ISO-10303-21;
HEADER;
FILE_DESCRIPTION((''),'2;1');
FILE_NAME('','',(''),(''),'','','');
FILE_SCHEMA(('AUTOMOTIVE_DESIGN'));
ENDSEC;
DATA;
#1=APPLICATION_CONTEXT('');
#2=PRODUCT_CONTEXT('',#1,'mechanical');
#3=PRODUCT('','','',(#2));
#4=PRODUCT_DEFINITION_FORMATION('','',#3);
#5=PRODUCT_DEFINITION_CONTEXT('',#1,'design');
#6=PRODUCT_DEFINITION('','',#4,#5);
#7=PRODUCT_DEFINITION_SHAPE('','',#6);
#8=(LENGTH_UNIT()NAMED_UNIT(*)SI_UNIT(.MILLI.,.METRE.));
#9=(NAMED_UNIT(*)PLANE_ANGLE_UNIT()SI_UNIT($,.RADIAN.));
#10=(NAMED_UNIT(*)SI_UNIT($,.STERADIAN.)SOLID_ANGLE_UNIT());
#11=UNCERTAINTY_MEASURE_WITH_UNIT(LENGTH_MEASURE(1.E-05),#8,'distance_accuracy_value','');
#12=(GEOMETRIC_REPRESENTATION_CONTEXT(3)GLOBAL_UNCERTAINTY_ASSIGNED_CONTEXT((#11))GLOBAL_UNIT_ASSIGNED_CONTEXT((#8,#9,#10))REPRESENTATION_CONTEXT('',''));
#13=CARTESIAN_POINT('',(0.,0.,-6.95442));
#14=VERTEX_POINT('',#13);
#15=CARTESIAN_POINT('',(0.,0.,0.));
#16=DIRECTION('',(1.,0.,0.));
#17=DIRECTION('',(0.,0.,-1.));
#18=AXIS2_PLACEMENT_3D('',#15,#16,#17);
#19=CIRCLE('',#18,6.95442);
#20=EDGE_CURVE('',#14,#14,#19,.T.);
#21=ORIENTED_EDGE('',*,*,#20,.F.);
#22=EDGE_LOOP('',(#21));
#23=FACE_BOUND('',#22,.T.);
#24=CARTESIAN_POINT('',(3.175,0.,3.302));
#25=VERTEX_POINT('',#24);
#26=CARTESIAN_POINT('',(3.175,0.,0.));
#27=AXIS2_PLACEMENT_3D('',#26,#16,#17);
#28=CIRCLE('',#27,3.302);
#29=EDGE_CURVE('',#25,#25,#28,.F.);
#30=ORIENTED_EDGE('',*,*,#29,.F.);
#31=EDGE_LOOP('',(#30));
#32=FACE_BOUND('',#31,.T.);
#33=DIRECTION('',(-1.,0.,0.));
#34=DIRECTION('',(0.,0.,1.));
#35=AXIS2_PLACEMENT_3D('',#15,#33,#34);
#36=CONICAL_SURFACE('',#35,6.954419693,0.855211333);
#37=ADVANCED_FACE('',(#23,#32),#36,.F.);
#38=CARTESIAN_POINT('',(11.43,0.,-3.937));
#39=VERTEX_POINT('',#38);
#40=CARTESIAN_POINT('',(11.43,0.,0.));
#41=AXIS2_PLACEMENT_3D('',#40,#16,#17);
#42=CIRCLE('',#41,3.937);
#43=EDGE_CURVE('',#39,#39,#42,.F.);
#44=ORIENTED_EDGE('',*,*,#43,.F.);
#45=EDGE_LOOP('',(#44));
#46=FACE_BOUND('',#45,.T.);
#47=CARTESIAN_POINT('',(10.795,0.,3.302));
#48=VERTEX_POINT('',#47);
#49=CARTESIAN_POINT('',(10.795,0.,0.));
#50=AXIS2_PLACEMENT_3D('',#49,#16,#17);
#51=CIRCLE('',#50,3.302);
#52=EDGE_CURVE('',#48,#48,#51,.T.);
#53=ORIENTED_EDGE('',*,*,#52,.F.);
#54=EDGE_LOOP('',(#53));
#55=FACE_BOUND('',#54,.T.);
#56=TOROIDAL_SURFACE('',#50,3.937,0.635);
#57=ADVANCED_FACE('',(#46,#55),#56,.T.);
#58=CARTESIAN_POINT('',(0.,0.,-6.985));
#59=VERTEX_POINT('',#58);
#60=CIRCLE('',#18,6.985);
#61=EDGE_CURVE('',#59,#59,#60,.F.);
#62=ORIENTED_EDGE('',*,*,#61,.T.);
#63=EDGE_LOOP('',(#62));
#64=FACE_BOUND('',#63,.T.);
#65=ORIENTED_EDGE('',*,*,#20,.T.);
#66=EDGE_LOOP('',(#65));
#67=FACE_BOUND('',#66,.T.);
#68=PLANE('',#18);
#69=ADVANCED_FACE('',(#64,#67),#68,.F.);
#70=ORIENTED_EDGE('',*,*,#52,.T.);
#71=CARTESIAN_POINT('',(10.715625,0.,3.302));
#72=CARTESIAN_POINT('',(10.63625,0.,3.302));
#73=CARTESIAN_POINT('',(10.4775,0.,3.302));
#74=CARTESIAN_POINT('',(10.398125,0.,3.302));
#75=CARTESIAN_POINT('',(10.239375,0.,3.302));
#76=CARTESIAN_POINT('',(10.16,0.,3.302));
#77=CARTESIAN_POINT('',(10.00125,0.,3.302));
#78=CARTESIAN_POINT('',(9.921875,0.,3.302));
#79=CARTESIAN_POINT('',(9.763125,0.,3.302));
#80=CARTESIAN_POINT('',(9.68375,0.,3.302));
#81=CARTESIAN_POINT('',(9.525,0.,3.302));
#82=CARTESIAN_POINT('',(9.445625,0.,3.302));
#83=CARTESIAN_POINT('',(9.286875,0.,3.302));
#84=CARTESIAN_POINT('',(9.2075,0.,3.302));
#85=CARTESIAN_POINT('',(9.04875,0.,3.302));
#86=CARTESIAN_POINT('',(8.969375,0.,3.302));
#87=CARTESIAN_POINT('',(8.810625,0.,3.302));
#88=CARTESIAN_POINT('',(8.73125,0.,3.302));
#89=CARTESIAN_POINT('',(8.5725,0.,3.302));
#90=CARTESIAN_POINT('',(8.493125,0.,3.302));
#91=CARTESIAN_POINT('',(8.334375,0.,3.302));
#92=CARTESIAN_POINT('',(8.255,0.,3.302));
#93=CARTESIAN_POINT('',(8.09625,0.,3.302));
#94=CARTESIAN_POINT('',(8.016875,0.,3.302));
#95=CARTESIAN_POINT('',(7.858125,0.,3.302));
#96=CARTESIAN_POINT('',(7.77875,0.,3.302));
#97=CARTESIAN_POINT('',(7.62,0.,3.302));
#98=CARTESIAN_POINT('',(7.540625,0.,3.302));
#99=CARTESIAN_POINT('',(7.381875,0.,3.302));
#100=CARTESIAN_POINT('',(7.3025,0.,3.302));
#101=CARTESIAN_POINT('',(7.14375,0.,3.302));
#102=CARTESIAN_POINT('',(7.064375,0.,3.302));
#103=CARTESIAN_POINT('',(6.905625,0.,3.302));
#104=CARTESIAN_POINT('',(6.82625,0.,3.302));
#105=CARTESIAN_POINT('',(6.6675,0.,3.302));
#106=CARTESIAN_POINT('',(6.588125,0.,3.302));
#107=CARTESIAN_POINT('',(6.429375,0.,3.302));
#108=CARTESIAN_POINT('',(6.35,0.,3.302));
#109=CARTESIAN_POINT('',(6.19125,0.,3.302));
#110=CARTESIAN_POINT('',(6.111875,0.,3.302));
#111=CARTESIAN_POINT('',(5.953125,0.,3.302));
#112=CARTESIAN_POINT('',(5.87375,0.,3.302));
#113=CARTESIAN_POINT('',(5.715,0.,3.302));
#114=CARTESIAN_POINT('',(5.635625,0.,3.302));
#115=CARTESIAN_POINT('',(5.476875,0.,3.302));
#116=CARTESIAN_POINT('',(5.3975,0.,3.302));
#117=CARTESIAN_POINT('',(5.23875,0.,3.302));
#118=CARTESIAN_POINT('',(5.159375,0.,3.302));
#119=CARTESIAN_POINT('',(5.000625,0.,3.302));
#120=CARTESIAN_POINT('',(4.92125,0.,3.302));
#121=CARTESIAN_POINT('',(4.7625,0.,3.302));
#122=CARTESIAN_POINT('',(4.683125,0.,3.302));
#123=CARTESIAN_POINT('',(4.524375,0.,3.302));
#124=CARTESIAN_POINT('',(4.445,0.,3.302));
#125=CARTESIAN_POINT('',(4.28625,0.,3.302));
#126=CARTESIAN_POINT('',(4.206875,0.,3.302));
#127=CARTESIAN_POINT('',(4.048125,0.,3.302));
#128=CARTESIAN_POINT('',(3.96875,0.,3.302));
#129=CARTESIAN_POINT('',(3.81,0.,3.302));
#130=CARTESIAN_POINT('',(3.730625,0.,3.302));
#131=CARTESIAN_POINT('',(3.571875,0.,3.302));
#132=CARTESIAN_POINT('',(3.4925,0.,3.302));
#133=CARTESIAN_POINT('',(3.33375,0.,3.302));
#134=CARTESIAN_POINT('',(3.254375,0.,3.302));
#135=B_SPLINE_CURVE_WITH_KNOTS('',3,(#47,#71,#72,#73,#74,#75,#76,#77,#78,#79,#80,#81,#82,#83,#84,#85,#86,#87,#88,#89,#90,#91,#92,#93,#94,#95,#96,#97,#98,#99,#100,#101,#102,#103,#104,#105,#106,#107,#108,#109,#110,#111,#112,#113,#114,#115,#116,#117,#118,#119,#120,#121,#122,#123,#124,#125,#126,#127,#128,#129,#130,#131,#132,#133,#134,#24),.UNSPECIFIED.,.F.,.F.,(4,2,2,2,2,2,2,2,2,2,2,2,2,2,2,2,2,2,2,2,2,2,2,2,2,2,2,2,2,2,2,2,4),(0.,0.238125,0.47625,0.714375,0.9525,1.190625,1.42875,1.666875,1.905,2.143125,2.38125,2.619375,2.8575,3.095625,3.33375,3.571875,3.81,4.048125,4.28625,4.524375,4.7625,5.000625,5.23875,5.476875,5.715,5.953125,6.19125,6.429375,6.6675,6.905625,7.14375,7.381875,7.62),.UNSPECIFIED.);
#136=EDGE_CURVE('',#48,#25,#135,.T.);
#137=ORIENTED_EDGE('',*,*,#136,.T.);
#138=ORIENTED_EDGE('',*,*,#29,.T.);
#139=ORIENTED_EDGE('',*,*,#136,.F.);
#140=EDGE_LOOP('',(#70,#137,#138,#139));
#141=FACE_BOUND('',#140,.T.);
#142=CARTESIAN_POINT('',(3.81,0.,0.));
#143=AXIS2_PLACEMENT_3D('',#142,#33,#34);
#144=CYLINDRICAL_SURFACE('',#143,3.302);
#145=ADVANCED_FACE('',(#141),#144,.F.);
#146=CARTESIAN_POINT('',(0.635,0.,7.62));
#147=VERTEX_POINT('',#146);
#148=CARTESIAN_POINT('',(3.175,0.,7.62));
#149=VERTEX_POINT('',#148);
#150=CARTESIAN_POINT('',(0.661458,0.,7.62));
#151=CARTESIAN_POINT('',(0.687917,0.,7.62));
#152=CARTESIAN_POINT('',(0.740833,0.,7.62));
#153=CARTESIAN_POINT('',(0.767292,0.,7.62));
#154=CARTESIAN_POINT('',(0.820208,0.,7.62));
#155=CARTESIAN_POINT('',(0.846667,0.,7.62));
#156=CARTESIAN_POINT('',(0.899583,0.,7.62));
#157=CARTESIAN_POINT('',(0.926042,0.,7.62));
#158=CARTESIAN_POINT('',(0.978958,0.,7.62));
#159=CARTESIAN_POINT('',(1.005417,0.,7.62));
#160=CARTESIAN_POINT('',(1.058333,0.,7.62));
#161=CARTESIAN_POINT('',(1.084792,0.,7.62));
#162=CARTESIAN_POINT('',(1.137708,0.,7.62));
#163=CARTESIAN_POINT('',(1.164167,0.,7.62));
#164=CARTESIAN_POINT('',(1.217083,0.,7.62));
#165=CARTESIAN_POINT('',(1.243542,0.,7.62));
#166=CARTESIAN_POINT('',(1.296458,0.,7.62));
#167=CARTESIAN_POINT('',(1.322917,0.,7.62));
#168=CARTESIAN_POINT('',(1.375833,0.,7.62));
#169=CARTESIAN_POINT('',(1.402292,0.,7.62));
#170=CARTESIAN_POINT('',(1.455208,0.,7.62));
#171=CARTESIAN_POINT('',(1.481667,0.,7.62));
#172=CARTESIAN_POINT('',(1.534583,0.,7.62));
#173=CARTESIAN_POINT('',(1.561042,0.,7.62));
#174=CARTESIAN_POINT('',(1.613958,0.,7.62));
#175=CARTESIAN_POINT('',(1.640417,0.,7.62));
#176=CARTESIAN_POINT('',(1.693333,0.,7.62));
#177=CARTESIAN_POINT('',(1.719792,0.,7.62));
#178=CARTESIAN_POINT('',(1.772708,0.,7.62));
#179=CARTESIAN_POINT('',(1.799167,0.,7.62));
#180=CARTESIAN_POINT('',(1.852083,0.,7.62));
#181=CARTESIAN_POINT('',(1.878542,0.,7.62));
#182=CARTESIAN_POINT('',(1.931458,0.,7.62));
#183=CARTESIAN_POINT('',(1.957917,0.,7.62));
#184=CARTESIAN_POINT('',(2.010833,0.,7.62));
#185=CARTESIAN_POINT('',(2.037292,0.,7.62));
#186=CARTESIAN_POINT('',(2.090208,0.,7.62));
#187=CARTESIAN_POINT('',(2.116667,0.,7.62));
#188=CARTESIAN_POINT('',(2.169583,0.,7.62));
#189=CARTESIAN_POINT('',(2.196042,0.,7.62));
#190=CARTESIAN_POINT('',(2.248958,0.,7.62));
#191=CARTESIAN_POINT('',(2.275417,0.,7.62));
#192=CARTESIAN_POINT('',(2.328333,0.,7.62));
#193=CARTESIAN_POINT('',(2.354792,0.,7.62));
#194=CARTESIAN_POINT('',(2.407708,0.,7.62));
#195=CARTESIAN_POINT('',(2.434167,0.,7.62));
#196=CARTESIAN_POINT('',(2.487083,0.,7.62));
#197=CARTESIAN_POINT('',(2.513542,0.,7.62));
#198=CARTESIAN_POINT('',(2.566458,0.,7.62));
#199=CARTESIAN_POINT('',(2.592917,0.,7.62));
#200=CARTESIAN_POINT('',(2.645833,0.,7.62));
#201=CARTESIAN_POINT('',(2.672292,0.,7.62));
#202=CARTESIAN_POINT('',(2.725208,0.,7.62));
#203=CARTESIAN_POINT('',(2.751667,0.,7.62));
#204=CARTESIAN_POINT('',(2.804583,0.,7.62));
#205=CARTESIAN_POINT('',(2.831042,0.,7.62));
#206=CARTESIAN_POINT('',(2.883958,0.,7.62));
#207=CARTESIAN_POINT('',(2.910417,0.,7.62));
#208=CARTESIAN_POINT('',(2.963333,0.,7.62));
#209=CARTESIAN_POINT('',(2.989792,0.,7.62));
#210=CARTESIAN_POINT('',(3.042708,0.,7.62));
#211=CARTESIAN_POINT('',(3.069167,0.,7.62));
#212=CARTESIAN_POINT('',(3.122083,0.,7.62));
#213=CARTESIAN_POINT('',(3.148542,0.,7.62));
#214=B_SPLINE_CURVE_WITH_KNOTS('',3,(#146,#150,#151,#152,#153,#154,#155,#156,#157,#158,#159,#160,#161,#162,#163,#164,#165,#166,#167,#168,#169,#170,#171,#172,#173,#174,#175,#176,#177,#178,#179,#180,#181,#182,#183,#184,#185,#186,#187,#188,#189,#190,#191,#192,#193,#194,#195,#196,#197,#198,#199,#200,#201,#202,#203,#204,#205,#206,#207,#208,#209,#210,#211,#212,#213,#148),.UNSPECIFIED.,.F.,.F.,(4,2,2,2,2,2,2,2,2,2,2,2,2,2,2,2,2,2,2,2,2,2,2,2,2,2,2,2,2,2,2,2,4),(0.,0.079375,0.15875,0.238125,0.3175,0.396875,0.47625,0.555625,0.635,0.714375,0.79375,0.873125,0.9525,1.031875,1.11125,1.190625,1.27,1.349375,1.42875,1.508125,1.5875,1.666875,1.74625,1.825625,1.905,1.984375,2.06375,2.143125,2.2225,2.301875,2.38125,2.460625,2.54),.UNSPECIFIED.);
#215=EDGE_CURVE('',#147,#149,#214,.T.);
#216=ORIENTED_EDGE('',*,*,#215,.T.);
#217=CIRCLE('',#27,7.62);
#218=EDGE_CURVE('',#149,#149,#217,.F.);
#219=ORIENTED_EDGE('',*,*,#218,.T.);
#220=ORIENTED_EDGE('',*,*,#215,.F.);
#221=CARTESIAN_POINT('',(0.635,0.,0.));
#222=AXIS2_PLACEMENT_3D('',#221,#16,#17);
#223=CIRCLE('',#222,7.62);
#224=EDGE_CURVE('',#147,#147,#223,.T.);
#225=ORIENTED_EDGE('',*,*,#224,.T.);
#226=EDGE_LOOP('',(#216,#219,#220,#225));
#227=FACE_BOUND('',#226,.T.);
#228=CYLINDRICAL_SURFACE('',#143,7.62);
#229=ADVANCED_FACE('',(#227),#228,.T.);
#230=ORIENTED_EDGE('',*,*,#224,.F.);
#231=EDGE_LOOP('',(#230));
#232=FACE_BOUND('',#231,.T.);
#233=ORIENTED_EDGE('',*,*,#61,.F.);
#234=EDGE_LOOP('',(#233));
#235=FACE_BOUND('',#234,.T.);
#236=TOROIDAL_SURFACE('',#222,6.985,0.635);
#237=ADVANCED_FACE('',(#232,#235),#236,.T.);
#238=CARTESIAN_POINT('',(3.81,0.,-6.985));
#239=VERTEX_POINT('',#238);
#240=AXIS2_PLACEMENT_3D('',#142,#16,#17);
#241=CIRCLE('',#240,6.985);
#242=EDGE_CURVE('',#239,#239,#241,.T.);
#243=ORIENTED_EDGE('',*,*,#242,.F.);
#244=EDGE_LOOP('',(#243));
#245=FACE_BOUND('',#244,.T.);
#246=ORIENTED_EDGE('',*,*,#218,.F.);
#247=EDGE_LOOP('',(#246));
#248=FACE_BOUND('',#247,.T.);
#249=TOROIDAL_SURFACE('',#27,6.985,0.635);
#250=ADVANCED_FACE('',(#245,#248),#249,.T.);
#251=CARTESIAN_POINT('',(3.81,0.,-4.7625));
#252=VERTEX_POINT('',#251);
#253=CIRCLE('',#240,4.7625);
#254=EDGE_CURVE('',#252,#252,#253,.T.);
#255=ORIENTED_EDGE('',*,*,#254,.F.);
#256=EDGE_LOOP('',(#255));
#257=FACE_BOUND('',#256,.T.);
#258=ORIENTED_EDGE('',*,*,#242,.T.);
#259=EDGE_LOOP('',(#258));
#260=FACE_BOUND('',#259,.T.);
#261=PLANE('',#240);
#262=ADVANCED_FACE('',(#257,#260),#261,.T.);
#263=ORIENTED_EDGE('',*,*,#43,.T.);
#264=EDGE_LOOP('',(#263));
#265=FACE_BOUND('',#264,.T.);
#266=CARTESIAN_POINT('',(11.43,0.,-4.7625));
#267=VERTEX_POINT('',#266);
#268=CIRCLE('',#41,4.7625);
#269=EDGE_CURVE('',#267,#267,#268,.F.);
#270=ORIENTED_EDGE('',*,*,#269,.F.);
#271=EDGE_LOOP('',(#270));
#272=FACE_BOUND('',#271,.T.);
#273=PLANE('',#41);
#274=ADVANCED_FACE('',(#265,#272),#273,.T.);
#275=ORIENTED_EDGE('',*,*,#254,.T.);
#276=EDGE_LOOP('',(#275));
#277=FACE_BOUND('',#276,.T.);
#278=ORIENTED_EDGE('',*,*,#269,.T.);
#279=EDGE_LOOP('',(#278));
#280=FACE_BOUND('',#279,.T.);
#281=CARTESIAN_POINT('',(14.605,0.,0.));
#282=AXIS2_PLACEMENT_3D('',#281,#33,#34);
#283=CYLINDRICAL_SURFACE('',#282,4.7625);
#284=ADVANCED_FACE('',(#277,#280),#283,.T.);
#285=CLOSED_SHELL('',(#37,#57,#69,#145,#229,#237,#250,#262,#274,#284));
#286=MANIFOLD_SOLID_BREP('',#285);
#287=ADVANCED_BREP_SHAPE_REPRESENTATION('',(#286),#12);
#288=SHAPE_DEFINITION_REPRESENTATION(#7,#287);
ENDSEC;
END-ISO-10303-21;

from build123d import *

# Parameters (mm, degrees)
SKETCH1_R           = 7.62
SKETCH1_R_2         = 3.302
BOSS_EXTRUDE1_DEPTH = 3.81
SKETCH2_R           = 4.7625
SKETCH2_R_2         = 3.302
BOSS_EXTRUDE2_DEPTH = 10.795
FILLET1_R           = 0.635
CHAMFER1_SIZE       = 3.175
CHAMFER1_SIZE2      = 3.652419693
CUT_EXTRUDE1_START  = -3.175
SKETCH3_R           = 4.7625
CUT_EXTRUDE1_DEPTH  = 3.175
FILLET2_R           = 0.635


with BuildPart() as part:
    # Sketch1 → Boss-Extrude1 (new body)
    with BuildSketch(Plane(origin=(0, 0, 0), x_dir=(0, 0, -1), z_dir=(1, 0, 0))):
        with Locations(Location((0, 0, 0), (0, 0, 180))):
            Circle(SKETCH1_R)
        with Locations(Location((0, 0, 0), (0, 0, 180))):
            Circle(SKETCH1_R_2, mode=Mode.SUBTRACT)
    extrude(amount=BOSS_EXTRUDE1_DEPTH)

    # Sketch2 → Boss-Extrude2 (add)
    with BuildSketch(Plane(origin=(3.81, 0, 0), x_dir=(0, 0, -1), z_dir=(1, 0, 0))):
        Circle(SKETCH2_R)
        with Locations(Location((0, 0, 0), (0, 0, 180))):
            Circle(SKETCH2_R_2, mode=Mode.SUBTRACT)
    extrude(amount=BOSS_EXTRUDE2_DEPTH)

    # Fillet1
    fillet1_edges = [part.edges().sort_by_distance(p)[0] for p in [
        (14.605, 0, -3.302),
        (0, 0, -7.62),
        (3.81, 0, -7.62),
    ]]
    fillet(fillet1_edges, radius=FILLET1_R)

    # Chamfer1
    chamfer1_edges = [part.edges().sort_by_distance(p)[0] for p in [
        (0, 0, -3.302),
    ]]
    chamfer1_side = [part.faces().sort_by_distance(p)[0] for p in [
        (6.985, 0, -3.302),
    ]]
    chamfer(chamfer1_edges, length=CHAMFER1_SIZE, length2=CHAMFER1_SIZE2, reference=chamfer1_side[0])

    # Sketch3 → Cut-Extrude1 (cut)
    with BuildSketch(Plane(origin=(14.605, 0, 0), x_dir=(0, 0, -1), z_dir=(1, 0, 0)).offset(CUT_EXTRUDE1_START)):
        Circle(SKETCH3_R)
    extrude(amount=CUT_EXTRUDE1_DEPTH, mode=Mode.SUBTRACT)

    # Fillet2
    fillet2_edges = [part.edges().sort_by_distance(p)[0] for p in [
        (11.43, 0, -3.302),
    ]]
    fillet(fillet2_edges, radius=FILLET2_R)


solid = part.part
